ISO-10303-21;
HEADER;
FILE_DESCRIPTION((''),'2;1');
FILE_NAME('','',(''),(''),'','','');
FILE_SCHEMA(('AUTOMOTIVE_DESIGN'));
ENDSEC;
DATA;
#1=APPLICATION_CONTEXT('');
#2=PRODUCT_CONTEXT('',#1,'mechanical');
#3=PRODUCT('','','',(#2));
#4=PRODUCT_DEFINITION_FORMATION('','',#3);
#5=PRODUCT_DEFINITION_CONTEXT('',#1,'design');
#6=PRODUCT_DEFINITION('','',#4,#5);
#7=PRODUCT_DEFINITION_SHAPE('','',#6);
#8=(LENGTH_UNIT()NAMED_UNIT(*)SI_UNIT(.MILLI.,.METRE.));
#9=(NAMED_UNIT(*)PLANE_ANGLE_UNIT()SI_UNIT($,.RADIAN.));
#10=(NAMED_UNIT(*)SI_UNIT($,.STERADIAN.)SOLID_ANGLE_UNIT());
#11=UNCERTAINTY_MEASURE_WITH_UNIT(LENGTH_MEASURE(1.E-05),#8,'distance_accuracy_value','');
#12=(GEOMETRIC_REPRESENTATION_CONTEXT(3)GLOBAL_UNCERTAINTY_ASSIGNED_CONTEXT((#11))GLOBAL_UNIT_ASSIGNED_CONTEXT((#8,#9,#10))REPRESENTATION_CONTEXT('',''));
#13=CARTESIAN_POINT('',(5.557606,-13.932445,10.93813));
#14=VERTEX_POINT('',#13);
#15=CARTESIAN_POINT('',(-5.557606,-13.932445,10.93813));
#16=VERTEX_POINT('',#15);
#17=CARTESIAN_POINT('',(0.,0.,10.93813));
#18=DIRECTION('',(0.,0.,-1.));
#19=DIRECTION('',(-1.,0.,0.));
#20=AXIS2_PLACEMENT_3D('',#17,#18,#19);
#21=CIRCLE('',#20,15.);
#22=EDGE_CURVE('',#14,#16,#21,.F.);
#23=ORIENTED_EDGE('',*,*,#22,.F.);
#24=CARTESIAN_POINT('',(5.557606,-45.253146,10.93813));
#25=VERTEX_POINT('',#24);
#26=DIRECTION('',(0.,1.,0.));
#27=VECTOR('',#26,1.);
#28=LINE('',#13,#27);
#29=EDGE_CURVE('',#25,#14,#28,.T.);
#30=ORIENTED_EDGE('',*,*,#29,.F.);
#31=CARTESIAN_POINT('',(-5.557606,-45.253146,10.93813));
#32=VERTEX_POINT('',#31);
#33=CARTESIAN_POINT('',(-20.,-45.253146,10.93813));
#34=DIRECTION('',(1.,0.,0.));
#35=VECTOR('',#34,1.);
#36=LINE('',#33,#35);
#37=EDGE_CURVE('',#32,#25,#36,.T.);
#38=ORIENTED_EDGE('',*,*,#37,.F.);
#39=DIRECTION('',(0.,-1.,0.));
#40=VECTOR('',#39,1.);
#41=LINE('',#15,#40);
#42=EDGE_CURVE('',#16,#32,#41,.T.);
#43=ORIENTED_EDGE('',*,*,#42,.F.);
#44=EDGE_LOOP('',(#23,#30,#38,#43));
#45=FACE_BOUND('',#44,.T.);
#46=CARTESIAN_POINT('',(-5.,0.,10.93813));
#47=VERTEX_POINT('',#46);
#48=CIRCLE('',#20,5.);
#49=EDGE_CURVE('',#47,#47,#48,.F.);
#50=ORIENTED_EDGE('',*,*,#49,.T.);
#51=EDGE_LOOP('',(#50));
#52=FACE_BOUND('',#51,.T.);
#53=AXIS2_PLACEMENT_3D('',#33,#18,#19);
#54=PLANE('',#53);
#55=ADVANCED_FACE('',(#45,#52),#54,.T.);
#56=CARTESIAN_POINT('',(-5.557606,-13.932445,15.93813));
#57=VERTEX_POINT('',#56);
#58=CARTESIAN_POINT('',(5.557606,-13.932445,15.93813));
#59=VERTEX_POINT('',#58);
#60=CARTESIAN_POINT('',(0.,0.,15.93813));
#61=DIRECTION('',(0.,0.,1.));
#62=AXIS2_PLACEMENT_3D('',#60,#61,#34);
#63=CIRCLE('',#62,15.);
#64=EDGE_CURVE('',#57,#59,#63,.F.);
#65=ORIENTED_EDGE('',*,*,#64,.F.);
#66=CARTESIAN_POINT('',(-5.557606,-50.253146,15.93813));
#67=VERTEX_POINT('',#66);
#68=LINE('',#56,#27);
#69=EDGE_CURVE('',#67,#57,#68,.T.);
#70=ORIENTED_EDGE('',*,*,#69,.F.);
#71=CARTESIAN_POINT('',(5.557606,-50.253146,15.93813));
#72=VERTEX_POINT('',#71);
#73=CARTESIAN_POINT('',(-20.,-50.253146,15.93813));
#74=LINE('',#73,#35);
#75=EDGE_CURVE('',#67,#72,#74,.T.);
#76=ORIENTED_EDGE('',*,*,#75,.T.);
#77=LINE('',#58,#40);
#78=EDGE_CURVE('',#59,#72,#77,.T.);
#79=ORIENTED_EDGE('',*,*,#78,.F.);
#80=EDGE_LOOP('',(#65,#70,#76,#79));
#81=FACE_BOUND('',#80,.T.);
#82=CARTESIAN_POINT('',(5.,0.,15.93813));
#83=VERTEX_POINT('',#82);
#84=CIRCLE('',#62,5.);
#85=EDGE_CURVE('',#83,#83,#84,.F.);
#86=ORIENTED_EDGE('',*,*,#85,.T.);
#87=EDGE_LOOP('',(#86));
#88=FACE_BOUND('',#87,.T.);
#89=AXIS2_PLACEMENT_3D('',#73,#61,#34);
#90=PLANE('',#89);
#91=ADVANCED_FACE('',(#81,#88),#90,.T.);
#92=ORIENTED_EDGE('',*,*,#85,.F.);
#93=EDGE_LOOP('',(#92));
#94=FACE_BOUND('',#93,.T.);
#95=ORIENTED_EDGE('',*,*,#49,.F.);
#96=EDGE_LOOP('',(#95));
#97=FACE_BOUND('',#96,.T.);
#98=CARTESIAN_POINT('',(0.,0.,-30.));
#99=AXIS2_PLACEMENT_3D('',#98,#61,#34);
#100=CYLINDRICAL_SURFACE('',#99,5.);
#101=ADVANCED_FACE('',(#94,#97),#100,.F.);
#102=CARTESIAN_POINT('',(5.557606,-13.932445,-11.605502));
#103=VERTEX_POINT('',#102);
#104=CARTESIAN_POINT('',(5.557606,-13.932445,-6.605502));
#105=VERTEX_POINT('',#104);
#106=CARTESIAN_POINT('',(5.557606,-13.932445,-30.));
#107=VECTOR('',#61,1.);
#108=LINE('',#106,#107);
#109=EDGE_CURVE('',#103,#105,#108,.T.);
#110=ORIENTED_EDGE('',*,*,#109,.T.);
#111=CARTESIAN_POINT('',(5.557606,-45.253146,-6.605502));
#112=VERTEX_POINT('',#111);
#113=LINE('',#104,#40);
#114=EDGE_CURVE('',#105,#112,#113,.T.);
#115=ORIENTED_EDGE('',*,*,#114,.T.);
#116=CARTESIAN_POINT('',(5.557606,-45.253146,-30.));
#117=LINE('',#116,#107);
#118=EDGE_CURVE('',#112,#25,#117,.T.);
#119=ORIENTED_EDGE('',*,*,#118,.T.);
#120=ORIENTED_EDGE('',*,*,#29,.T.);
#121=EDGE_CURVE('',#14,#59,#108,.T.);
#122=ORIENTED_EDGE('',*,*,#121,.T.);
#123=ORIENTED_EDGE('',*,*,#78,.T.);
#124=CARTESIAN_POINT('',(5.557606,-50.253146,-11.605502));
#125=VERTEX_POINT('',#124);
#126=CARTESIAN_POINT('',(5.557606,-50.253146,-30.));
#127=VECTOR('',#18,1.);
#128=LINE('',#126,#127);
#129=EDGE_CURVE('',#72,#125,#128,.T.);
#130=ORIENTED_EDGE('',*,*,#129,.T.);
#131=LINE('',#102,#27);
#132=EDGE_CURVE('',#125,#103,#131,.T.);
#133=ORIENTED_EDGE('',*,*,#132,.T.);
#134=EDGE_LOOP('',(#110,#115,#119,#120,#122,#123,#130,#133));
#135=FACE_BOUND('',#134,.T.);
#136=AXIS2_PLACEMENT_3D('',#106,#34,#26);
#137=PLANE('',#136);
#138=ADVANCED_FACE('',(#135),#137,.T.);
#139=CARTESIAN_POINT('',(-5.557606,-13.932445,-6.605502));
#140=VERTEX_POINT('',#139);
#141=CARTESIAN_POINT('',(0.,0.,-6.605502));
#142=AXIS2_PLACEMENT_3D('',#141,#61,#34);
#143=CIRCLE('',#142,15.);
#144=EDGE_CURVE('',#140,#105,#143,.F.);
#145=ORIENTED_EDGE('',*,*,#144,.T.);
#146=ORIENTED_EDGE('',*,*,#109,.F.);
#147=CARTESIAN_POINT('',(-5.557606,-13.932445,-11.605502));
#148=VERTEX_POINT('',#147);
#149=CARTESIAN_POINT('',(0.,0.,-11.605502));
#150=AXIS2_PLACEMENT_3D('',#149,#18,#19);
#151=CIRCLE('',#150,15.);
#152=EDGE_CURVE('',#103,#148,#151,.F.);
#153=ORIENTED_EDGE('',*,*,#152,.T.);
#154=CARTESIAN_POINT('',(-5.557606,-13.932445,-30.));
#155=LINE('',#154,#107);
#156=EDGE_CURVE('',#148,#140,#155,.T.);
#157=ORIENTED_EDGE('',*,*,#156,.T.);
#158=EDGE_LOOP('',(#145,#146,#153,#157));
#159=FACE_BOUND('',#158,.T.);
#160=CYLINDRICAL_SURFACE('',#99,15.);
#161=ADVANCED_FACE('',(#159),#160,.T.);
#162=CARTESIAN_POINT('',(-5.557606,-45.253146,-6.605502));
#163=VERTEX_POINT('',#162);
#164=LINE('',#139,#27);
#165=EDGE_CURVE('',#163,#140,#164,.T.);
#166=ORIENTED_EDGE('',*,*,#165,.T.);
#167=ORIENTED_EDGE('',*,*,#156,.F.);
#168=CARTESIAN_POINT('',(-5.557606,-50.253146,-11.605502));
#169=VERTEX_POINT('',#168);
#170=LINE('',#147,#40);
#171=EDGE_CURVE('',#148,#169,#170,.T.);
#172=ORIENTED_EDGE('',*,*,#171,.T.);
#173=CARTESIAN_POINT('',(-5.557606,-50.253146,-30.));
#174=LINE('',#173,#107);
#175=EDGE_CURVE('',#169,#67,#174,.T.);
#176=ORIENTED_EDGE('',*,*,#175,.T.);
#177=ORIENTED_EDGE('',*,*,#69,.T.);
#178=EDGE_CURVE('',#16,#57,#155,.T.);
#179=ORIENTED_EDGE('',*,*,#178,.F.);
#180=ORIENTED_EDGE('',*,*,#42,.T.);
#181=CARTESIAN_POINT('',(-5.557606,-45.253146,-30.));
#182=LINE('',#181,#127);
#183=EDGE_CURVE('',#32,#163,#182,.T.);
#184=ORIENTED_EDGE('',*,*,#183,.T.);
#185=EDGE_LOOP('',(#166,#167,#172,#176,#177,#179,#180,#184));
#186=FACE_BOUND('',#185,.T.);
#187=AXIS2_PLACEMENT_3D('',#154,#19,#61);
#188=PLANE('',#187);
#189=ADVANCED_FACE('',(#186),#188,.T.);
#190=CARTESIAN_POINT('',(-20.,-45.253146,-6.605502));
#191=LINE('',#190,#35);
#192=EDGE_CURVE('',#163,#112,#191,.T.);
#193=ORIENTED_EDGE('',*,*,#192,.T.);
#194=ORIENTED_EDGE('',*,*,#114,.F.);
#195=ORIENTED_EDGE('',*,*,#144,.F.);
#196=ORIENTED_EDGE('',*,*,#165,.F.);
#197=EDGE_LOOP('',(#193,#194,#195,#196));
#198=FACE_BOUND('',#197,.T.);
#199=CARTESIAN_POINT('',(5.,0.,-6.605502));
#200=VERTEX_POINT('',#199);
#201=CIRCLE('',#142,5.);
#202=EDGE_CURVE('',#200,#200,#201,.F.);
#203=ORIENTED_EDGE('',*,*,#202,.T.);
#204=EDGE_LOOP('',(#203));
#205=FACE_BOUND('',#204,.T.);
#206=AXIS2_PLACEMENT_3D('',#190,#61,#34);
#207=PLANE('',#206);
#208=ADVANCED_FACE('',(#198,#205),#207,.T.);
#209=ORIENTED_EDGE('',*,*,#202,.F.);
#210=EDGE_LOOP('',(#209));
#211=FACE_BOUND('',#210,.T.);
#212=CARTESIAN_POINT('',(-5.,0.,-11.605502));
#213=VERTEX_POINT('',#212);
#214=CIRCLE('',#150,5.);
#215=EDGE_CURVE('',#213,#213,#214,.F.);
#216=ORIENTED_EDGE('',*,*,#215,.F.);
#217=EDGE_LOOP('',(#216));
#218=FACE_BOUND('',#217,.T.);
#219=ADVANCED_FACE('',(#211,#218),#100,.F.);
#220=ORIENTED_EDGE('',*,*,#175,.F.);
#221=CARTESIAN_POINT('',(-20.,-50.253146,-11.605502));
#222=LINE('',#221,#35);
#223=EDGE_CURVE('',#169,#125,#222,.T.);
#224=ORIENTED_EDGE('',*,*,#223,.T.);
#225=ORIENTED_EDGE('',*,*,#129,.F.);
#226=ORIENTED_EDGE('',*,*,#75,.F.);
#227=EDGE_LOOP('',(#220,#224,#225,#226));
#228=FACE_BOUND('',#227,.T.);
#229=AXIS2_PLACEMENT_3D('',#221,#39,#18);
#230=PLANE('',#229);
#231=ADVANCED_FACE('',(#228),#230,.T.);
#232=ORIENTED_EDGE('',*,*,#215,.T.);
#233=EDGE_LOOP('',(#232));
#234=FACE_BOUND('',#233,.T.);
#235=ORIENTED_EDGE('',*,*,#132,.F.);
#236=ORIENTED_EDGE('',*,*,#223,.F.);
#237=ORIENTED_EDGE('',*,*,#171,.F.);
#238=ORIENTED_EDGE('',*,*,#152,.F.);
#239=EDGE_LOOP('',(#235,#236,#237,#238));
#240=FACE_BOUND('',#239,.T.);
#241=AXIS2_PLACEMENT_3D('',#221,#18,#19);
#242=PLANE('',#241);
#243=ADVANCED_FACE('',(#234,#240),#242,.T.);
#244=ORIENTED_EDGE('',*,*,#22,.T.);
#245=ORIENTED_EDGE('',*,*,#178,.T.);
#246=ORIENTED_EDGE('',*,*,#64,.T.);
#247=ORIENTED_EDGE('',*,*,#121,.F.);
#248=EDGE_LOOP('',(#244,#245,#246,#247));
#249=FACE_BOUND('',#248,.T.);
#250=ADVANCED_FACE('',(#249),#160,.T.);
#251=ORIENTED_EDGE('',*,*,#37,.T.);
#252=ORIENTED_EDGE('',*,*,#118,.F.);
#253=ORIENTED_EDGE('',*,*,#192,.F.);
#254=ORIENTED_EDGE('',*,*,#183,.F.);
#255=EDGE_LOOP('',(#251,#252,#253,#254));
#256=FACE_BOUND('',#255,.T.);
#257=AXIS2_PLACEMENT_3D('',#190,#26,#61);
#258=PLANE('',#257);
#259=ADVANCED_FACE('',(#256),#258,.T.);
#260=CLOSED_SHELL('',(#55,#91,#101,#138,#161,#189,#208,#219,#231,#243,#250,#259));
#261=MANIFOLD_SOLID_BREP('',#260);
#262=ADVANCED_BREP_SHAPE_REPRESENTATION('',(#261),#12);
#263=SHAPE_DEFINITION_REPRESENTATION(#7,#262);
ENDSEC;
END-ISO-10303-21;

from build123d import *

# Parameters (mm, degrees)
EXTRUDE_5_DEPTH      = 30
EXTRUDE_5_DEPTH_BACK = 30
F_1_FR_R             = 5
EXTRUDE_6_DEPTH      = 20
EXTRUDE_6_DEPTH_BACK = 20


with BuildPart() as part:
    # Эскиз1_fr → Бобышка-Вытянуть5 (new, two sides: drawn at the far end of the back side and taken through both)
    with BuildSketch(Plane.XY.offset(-EXTRUDE_5_DEPTH_BACK)):
        with BuildLine():
            Line((-5.557606452, -13.932444528), (-5.557606452, -62.642280008))
            Line((-5.557606452, -62.642280008), (5.557606452, -62.642280008))
            Line((5.557606452, -62.642280008), (5.557606452, -13.932444528))
            ThreePointArc((5.557606452, -13.932444528), (0, 15), (-5.557606452, -13.932444528))
        make_face()
        Circle(F_1_FR_R, mode=Mode.SUBTRACT)
    extrude(amount=EXTRUDE_5_DEPTH + EXTRUDE_5_DEPTH_BACK)


with BuildPart() as body_2:
    # Эскиз3 → Бобышка-Вытянуть6 (new, two sides: drawn at the far end of the back side and taken through both)
    with BuildSketch(Plane(origin=(0, 0, 0), x_dir=(0, 0, -1), z_dir=(1, 0, 0)).offset(-EXTRUDE_6_DEPTH_BACK)):
        Polygon((-58.394498043, -50.25314581), (-85.938130262, -50.25314581), (-85.938130262, 27.580465306), (-80.938130262, 27.580465306), (-80.938130262, -45.25314581), (-63.394498043, -45.25314581), (-63.394498043, 27.580465306), (-58.394498043, 27.580465306), align=None)
    extrude(amount=EXTRUDE_6_DEPTH + EXTRUDE_6_DEPTH_BACK)


with BuildPart() as body_2_1:
    # Move Body 1: moved
    add(body_2.part.moved(Location((0, 0, -70))))


with BuildPart() as part_1:
    add(part.part)

    # Combine 1: intersect body 2
    add(body_2_1.part, mode=Mode.INTERSECT)


solid = part_1.part
